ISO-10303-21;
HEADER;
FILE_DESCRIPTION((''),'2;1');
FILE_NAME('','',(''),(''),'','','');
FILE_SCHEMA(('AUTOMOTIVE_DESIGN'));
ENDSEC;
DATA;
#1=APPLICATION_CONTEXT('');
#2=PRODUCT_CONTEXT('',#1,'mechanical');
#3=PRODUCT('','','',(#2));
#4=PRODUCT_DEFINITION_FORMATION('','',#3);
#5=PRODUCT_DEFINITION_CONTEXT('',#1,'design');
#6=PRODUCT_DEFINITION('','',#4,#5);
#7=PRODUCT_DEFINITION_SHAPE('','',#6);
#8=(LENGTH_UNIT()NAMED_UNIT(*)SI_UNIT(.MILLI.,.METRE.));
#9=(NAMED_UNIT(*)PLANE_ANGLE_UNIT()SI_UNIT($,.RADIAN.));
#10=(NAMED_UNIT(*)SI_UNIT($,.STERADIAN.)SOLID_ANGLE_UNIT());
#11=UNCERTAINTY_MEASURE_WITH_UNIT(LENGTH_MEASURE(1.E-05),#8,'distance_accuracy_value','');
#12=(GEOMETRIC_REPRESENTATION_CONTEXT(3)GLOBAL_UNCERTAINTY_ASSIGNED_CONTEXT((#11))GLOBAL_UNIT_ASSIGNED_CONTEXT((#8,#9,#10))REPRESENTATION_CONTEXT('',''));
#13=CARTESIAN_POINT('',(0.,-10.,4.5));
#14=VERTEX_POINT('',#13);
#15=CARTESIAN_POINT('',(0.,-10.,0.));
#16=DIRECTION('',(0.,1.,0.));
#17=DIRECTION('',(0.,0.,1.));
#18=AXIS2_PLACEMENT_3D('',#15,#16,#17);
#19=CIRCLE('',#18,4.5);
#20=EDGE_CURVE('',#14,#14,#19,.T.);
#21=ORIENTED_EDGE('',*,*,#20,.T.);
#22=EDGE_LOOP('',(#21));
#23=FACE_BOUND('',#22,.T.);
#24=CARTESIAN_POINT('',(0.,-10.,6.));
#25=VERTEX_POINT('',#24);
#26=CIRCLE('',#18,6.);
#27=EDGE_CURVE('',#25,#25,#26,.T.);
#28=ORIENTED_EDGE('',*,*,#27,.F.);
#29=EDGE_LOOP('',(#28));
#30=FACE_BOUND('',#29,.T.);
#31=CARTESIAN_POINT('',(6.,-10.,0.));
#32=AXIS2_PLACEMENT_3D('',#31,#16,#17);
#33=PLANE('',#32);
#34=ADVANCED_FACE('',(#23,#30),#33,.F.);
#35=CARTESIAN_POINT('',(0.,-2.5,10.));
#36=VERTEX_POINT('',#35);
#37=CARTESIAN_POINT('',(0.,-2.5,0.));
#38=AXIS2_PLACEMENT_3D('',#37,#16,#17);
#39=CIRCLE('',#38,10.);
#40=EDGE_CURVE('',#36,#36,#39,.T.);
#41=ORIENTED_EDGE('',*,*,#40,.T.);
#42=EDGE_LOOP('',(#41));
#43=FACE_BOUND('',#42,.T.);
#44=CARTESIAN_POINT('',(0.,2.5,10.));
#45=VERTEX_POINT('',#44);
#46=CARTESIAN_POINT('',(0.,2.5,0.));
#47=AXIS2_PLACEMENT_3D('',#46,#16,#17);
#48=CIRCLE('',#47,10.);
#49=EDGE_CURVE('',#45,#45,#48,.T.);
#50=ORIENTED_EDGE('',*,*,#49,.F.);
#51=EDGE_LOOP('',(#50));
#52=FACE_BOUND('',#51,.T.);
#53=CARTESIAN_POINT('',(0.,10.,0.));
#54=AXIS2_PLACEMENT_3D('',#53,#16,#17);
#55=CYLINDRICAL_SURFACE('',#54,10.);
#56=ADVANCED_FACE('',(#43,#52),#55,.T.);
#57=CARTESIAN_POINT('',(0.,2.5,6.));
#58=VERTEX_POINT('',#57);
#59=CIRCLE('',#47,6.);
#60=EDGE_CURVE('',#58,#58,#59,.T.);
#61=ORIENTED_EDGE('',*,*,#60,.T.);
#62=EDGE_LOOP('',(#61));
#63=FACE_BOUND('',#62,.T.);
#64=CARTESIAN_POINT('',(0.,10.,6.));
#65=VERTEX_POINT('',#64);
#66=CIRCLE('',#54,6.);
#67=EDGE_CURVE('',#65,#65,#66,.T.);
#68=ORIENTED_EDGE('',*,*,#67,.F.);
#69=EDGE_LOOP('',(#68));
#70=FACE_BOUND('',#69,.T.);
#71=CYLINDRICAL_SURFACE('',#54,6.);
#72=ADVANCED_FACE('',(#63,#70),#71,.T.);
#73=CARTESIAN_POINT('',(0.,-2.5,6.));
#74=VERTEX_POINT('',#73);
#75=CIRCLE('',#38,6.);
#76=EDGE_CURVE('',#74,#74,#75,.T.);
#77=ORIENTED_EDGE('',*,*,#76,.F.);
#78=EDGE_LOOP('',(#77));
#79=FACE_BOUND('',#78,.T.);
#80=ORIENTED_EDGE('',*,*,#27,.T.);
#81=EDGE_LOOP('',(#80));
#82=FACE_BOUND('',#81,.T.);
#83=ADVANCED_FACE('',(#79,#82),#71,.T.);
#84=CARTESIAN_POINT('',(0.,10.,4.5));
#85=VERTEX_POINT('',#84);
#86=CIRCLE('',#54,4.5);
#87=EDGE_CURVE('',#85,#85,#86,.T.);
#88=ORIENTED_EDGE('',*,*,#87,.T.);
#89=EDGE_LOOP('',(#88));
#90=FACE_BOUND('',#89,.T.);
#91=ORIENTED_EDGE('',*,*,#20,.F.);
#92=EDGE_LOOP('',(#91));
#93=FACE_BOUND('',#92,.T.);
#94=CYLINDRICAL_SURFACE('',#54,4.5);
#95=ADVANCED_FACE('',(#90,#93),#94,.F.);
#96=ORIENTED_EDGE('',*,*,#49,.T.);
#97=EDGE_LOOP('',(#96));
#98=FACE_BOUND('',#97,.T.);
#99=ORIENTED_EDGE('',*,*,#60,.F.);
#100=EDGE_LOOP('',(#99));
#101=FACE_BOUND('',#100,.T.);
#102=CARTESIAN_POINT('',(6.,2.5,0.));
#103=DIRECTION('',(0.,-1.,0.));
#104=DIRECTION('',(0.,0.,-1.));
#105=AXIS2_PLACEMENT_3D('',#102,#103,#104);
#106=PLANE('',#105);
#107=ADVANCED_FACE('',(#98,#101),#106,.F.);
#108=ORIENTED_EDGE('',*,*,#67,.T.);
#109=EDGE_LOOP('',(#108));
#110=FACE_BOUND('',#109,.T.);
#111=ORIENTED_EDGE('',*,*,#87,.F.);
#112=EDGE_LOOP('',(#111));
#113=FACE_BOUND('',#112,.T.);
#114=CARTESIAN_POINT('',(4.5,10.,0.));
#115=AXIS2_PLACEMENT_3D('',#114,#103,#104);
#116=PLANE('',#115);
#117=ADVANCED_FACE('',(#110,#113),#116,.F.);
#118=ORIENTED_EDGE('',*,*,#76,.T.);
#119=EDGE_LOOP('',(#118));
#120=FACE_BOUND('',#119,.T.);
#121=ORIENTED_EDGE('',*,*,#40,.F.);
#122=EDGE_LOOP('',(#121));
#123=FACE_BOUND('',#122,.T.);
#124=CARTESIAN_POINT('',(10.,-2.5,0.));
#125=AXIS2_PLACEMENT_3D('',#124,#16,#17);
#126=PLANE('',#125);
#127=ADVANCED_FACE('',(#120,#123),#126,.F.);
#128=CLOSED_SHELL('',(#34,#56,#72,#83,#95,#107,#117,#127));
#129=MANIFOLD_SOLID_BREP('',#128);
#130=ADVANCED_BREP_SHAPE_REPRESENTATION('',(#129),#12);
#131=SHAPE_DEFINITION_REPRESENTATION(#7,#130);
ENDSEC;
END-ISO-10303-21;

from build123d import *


with BuildPart() as part:
    # Sketch1 → Revolve1 (revolve)
    with BuildSketch(Plane.XY, mode=Mode.PRIVATE) as revolve1_sk:
        Polygon((4.5, 10), (6, 10), (6, 2.5), (10, 2.5), (10, -2.5), (6, -2.5), (6, -10), (4.5, -10), align=None)
    revolve(revolve1_sk.sketch.rotate(Axis((0, 10, 0), (0, -1, 0)), 90), axis=Axis((0, 10, 0), (0, -1, 0)))


solid = part.part
